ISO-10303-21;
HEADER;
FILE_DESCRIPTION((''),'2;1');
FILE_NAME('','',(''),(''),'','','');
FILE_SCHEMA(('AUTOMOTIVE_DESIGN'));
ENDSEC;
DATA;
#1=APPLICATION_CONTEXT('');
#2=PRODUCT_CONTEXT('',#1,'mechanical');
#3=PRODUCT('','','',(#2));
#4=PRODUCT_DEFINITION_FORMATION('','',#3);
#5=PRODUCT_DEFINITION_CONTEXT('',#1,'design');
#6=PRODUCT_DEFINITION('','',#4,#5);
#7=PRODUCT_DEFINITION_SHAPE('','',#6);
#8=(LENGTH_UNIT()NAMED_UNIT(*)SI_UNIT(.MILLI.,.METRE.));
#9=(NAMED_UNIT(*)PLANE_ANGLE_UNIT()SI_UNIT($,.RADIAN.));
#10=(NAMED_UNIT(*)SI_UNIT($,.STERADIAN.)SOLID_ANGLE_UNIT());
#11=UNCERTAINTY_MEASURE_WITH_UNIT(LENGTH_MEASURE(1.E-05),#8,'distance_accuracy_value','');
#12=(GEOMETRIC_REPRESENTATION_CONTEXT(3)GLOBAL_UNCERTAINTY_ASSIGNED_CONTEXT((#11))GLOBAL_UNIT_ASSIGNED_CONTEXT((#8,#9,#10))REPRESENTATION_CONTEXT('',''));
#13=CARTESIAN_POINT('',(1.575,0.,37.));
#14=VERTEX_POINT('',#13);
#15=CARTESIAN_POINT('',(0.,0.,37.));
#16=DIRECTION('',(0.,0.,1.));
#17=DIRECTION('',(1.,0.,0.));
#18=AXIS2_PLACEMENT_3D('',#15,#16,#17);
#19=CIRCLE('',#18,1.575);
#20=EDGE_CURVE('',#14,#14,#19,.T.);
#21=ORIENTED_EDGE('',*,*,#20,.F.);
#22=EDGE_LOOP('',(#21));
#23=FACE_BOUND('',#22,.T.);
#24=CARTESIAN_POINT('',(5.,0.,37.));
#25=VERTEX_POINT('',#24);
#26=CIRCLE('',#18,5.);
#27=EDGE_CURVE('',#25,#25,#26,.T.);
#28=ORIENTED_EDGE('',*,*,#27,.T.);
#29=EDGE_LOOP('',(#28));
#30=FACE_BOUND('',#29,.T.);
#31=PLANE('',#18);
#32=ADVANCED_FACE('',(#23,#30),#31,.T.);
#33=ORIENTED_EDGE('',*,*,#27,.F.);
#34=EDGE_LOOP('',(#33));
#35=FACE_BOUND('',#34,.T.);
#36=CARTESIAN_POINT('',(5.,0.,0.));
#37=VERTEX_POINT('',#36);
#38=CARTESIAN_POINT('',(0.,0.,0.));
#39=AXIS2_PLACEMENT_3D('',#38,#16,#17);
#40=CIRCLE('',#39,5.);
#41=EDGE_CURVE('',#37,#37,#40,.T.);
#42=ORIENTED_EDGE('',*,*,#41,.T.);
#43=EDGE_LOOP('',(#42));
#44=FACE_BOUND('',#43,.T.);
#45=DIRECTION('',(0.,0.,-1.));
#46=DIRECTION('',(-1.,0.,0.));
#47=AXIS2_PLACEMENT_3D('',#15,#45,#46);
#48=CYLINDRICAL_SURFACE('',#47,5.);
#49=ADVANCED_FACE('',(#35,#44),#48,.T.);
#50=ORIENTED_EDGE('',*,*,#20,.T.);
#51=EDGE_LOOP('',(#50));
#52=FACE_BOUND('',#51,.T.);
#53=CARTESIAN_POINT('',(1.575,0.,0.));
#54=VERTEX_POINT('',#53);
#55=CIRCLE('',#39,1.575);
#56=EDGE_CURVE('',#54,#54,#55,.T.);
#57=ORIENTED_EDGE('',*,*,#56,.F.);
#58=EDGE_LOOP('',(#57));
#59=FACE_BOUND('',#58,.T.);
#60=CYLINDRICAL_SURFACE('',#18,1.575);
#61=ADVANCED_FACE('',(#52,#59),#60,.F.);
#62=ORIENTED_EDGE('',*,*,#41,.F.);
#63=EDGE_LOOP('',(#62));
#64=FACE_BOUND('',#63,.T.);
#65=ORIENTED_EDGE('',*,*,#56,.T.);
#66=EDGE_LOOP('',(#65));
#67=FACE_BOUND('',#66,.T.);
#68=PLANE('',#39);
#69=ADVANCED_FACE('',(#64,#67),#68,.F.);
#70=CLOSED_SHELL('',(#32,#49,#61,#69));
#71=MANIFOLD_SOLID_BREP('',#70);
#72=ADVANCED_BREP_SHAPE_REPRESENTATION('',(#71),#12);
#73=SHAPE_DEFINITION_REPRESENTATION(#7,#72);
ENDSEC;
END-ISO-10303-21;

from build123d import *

# Parameters (mm, degrees)
ESBO_O1_R                               = 5
RESSALTO_EXTRUS_O1_DEPTH                = 37
FURO_ROSCADO_PARA_CONDU_TE_DE_M3X0_51_D = 3.15


with BuildPart() as part:
    # Esboço1 → Ressalto-extrusão1 (new body)
    with BuildSketch(Plane.XY):
        Circle(ESBO_O1_R)
    extrude(amount=RESSALTO_EXTRUS_O1_DEPTH)

    # Furo roscado para conduíte de M3x0.51 (through all)
    with Locations(Plane.XY.offset(37)):
        with Locations((0, 0)):
            Hole(FURO_ROSCADO_PARA_CONDU_TE_DE_M3X0_51_D / 2)


solid = part.part
